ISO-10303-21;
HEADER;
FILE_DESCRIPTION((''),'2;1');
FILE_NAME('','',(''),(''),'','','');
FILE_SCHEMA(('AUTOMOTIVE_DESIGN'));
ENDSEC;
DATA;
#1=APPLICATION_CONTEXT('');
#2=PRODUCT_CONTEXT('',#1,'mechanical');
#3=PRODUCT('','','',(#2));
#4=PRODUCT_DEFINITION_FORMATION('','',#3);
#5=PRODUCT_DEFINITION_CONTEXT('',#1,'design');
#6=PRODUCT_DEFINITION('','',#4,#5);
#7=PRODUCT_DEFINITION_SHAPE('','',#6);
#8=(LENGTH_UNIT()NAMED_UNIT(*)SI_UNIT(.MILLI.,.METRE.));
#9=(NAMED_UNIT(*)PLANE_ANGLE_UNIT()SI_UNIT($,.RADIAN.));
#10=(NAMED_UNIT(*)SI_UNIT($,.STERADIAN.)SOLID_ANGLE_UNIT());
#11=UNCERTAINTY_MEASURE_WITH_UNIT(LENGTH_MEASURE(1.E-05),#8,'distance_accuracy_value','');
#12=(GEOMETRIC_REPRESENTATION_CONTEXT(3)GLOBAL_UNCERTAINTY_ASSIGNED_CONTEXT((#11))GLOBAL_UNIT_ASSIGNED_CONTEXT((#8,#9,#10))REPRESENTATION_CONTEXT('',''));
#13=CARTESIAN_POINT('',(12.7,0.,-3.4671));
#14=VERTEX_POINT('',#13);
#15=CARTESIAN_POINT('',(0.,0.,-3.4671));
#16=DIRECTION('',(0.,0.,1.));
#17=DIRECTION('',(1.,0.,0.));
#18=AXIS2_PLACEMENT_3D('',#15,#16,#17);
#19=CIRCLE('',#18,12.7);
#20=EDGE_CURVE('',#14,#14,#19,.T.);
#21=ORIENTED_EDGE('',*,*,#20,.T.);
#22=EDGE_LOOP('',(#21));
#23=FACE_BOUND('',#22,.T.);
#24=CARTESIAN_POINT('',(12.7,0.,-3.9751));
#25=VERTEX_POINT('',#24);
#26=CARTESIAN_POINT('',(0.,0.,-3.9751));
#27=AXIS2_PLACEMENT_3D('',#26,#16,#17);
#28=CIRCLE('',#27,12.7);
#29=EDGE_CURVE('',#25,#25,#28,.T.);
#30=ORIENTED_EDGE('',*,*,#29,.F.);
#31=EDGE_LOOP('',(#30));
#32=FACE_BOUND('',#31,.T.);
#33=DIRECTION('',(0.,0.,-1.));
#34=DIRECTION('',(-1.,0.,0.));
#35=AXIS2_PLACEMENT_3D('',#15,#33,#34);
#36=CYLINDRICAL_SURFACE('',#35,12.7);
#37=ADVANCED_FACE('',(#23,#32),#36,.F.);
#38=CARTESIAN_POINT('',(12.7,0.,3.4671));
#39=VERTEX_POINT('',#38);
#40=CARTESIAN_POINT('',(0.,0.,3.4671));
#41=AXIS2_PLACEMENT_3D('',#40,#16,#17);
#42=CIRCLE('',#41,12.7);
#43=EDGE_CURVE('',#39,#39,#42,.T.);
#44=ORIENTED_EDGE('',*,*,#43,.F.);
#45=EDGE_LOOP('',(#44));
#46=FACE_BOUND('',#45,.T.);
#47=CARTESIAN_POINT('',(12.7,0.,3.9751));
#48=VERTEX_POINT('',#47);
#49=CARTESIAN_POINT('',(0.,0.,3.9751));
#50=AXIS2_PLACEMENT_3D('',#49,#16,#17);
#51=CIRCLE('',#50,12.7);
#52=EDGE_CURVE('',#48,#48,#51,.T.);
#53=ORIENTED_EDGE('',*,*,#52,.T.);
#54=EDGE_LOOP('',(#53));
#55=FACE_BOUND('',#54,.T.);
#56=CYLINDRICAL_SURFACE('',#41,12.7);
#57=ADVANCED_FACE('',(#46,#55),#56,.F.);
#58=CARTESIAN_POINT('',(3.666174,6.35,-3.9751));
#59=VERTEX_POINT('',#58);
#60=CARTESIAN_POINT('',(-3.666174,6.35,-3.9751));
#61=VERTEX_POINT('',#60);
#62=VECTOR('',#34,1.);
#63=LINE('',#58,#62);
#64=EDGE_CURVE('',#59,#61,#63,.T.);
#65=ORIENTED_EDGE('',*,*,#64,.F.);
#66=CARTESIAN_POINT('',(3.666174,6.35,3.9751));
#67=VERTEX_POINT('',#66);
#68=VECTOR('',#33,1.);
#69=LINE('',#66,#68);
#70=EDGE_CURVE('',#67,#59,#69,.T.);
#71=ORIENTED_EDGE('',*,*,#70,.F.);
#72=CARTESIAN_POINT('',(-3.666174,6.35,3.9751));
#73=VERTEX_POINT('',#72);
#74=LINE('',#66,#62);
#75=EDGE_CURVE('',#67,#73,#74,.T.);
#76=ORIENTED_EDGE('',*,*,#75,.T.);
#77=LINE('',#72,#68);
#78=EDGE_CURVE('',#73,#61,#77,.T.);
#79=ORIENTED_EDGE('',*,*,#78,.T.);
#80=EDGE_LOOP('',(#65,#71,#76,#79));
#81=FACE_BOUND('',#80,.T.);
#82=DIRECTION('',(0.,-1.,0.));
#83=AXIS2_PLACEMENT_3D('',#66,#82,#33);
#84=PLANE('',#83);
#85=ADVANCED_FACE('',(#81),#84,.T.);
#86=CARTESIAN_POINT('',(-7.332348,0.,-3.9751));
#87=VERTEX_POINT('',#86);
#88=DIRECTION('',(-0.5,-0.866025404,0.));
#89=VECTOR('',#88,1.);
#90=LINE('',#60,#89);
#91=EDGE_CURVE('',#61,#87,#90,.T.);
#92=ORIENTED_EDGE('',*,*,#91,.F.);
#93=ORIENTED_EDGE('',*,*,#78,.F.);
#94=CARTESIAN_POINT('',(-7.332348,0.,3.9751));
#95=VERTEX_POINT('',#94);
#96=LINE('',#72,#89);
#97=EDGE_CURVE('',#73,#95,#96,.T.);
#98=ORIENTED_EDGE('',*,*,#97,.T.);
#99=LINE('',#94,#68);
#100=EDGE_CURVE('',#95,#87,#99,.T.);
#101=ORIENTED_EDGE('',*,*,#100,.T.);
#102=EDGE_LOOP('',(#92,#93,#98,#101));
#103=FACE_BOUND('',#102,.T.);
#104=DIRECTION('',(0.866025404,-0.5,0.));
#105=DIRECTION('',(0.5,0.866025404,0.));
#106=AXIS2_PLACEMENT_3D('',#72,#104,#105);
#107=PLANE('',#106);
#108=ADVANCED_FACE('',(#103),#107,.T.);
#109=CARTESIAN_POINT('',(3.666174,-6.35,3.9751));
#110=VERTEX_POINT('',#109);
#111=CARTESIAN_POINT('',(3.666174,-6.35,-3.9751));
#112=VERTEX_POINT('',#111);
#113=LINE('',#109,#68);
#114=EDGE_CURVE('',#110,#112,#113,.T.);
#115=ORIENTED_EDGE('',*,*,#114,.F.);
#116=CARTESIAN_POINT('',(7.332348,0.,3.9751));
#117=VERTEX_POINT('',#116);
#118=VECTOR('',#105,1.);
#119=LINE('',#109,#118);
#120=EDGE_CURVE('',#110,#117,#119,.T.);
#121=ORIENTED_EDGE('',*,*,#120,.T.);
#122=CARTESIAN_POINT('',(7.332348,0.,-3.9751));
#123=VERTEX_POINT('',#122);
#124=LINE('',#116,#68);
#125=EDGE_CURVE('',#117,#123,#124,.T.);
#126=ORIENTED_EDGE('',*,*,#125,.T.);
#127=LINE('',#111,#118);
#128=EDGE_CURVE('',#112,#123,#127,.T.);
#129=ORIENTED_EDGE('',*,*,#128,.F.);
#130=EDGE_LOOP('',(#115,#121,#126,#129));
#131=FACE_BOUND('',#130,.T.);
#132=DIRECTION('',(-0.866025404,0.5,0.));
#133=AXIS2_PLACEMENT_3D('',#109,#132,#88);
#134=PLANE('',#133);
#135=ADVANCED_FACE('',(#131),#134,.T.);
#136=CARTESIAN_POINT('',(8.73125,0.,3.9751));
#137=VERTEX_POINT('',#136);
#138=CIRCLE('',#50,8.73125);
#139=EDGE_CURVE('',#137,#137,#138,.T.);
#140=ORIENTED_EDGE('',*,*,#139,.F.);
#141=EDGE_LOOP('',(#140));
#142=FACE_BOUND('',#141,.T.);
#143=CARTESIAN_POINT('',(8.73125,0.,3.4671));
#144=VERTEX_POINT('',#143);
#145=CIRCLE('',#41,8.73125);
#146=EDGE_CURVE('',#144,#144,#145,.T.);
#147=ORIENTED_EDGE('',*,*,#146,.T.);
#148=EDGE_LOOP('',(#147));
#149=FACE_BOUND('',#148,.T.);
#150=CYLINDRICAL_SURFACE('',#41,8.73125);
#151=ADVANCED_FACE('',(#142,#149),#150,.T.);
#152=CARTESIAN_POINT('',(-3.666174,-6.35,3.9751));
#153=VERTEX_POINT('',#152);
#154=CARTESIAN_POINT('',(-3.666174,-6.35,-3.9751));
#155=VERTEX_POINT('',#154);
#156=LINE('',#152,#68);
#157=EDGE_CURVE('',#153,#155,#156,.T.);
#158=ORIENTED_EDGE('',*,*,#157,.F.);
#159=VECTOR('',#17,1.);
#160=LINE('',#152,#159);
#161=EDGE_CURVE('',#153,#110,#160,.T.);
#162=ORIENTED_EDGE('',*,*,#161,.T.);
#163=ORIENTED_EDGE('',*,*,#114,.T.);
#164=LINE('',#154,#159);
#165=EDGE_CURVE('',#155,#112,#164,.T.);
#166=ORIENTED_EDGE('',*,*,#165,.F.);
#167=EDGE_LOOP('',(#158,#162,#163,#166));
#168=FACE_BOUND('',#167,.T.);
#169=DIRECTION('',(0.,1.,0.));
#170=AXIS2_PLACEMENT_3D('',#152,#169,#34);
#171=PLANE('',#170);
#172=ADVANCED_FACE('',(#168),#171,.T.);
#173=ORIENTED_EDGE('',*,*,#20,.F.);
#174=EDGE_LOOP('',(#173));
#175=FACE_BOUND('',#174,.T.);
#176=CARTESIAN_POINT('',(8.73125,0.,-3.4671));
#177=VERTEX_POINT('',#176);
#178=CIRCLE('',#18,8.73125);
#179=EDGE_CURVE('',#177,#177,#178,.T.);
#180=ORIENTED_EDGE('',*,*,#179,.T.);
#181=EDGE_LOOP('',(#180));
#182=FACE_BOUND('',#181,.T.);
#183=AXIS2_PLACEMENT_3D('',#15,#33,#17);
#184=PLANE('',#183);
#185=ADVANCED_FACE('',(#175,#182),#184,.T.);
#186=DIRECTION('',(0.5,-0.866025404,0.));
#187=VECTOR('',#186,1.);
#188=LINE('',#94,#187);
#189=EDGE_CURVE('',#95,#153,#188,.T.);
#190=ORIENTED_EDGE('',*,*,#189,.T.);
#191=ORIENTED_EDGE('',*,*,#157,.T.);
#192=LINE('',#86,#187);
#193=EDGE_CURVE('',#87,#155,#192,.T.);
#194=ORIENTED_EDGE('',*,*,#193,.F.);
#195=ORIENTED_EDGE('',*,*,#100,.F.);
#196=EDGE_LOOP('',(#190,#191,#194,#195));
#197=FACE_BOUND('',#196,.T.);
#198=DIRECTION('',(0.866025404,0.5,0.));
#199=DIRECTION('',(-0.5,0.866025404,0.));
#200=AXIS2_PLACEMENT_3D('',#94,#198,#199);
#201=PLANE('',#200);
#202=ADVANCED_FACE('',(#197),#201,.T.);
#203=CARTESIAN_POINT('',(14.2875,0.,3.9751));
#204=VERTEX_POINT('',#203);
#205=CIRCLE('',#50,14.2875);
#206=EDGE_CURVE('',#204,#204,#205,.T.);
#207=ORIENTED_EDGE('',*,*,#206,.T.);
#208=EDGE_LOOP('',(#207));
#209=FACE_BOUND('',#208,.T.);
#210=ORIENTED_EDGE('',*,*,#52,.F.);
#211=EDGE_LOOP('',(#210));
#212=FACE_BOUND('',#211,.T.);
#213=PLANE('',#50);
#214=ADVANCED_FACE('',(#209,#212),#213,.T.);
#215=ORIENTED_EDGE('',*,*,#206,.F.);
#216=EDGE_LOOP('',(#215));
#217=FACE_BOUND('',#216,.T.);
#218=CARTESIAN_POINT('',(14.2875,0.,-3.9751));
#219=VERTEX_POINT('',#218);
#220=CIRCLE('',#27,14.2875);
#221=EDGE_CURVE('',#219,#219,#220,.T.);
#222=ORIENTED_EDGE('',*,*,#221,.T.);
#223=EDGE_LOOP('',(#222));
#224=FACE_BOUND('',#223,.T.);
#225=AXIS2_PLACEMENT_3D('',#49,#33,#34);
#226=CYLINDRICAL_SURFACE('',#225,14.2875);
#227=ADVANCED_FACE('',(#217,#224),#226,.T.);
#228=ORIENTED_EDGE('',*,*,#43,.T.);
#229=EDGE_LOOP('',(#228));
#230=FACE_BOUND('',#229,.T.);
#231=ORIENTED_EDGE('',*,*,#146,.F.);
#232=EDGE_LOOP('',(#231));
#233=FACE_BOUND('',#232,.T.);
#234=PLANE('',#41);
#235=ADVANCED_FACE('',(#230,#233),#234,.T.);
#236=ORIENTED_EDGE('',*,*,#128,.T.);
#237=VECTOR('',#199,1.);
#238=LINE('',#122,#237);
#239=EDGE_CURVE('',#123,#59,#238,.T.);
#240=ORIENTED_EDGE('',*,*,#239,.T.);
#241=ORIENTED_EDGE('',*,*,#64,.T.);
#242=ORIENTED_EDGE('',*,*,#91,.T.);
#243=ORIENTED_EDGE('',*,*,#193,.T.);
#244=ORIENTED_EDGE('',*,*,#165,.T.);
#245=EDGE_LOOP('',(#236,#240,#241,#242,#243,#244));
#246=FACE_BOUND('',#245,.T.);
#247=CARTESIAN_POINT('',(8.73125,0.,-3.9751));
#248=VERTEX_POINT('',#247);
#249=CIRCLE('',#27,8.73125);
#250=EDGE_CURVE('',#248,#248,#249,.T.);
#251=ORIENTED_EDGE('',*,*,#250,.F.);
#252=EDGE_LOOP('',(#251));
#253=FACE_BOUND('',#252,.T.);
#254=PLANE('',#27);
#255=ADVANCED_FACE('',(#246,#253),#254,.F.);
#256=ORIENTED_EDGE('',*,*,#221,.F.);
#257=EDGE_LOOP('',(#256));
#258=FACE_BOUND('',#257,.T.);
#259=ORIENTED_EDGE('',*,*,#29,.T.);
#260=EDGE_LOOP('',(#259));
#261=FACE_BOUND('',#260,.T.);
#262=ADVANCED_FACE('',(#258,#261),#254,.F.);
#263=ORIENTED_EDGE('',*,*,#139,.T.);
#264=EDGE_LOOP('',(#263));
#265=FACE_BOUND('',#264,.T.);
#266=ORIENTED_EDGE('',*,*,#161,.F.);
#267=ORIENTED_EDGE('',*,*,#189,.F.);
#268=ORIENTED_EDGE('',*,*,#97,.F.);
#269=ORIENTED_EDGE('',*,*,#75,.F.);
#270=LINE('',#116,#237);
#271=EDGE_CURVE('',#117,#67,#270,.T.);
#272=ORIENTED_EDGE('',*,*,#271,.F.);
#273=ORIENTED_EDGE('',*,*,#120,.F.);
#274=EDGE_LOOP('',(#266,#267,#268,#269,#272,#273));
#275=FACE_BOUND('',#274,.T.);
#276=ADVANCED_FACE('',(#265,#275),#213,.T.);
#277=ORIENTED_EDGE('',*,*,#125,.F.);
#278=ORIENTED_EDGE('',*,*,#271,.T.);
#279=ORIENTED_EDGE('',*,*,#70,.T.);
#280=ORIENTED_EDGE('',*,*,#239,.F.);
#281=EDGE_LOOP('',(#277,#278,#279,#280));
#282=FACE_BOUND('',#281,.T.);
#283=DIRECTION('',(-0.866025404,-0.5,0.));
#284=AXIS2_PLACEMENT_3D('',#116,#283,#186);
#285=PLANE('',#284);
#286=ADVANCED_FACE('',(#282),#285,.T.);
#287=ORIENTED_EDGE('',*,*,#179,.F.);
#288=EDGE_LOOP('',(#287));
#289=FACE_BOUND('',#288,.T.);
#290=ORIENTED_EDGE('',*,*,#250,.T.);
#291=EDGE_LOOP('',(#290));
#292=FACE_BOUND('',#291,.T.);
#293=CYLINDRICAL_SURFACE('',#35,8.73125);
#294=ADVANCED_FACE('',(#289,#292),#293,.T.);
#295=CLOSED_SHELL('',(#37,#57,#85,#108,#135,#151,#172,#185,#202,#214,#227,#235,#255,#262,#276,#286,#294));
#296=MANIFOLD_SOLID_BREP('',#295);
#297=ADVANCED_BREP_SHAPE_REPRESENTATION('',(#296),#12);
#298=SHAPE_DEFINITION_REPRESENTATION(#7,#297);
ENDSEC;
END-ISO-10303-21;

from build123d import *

# Parameters (mm, degrees)
SKETCH1_R           = 14.2875
BOSS_EXTRUDE1_DEPTH = 3.9751
SKETCH2_R           = 12.7
SKETCH2_R_2         = 8.73125
CUT_EXTRUDE1_DEPTH  = 0.508


with BuildPart() as part:
    # Sketch1 → Boss-Extrude1 (new body, symmetric)
    with BuildSketch(Plane.XY):
        Circle(SKETCH1_R)
        Polygon((7.332348419, 0), (3.666174209, 6.35), (-3.666174209, 6.35), (-7.332348419, 0), (-3.666174209, -6.35), (3.666174209, -6.35), align=None, mode=Mode.SUBTRACT)
    extrude(amount=BOSS_EXTRUDE1_DEPTH, both=True)

    # Sketch2 → Cut-Extrude1 (cut)
    with BuildSketch(Plane.XY.offset(3.9751)):
        Circle(SKETCH2_R)
        Circle(SKETCH2_R_2, mode=Mode.SUBTRACT)
    cut_extrude1 = extrude(amount=-CUT_EXTRUDE1_DEPTH, mode=Mode.SUBTRACT)

    # Mirror1: Cut-Extrude1 across plane
    add(cut_extrude1.mirror(Plane.XY), mode=Mode.SUBTRACT)


solid = part.part
